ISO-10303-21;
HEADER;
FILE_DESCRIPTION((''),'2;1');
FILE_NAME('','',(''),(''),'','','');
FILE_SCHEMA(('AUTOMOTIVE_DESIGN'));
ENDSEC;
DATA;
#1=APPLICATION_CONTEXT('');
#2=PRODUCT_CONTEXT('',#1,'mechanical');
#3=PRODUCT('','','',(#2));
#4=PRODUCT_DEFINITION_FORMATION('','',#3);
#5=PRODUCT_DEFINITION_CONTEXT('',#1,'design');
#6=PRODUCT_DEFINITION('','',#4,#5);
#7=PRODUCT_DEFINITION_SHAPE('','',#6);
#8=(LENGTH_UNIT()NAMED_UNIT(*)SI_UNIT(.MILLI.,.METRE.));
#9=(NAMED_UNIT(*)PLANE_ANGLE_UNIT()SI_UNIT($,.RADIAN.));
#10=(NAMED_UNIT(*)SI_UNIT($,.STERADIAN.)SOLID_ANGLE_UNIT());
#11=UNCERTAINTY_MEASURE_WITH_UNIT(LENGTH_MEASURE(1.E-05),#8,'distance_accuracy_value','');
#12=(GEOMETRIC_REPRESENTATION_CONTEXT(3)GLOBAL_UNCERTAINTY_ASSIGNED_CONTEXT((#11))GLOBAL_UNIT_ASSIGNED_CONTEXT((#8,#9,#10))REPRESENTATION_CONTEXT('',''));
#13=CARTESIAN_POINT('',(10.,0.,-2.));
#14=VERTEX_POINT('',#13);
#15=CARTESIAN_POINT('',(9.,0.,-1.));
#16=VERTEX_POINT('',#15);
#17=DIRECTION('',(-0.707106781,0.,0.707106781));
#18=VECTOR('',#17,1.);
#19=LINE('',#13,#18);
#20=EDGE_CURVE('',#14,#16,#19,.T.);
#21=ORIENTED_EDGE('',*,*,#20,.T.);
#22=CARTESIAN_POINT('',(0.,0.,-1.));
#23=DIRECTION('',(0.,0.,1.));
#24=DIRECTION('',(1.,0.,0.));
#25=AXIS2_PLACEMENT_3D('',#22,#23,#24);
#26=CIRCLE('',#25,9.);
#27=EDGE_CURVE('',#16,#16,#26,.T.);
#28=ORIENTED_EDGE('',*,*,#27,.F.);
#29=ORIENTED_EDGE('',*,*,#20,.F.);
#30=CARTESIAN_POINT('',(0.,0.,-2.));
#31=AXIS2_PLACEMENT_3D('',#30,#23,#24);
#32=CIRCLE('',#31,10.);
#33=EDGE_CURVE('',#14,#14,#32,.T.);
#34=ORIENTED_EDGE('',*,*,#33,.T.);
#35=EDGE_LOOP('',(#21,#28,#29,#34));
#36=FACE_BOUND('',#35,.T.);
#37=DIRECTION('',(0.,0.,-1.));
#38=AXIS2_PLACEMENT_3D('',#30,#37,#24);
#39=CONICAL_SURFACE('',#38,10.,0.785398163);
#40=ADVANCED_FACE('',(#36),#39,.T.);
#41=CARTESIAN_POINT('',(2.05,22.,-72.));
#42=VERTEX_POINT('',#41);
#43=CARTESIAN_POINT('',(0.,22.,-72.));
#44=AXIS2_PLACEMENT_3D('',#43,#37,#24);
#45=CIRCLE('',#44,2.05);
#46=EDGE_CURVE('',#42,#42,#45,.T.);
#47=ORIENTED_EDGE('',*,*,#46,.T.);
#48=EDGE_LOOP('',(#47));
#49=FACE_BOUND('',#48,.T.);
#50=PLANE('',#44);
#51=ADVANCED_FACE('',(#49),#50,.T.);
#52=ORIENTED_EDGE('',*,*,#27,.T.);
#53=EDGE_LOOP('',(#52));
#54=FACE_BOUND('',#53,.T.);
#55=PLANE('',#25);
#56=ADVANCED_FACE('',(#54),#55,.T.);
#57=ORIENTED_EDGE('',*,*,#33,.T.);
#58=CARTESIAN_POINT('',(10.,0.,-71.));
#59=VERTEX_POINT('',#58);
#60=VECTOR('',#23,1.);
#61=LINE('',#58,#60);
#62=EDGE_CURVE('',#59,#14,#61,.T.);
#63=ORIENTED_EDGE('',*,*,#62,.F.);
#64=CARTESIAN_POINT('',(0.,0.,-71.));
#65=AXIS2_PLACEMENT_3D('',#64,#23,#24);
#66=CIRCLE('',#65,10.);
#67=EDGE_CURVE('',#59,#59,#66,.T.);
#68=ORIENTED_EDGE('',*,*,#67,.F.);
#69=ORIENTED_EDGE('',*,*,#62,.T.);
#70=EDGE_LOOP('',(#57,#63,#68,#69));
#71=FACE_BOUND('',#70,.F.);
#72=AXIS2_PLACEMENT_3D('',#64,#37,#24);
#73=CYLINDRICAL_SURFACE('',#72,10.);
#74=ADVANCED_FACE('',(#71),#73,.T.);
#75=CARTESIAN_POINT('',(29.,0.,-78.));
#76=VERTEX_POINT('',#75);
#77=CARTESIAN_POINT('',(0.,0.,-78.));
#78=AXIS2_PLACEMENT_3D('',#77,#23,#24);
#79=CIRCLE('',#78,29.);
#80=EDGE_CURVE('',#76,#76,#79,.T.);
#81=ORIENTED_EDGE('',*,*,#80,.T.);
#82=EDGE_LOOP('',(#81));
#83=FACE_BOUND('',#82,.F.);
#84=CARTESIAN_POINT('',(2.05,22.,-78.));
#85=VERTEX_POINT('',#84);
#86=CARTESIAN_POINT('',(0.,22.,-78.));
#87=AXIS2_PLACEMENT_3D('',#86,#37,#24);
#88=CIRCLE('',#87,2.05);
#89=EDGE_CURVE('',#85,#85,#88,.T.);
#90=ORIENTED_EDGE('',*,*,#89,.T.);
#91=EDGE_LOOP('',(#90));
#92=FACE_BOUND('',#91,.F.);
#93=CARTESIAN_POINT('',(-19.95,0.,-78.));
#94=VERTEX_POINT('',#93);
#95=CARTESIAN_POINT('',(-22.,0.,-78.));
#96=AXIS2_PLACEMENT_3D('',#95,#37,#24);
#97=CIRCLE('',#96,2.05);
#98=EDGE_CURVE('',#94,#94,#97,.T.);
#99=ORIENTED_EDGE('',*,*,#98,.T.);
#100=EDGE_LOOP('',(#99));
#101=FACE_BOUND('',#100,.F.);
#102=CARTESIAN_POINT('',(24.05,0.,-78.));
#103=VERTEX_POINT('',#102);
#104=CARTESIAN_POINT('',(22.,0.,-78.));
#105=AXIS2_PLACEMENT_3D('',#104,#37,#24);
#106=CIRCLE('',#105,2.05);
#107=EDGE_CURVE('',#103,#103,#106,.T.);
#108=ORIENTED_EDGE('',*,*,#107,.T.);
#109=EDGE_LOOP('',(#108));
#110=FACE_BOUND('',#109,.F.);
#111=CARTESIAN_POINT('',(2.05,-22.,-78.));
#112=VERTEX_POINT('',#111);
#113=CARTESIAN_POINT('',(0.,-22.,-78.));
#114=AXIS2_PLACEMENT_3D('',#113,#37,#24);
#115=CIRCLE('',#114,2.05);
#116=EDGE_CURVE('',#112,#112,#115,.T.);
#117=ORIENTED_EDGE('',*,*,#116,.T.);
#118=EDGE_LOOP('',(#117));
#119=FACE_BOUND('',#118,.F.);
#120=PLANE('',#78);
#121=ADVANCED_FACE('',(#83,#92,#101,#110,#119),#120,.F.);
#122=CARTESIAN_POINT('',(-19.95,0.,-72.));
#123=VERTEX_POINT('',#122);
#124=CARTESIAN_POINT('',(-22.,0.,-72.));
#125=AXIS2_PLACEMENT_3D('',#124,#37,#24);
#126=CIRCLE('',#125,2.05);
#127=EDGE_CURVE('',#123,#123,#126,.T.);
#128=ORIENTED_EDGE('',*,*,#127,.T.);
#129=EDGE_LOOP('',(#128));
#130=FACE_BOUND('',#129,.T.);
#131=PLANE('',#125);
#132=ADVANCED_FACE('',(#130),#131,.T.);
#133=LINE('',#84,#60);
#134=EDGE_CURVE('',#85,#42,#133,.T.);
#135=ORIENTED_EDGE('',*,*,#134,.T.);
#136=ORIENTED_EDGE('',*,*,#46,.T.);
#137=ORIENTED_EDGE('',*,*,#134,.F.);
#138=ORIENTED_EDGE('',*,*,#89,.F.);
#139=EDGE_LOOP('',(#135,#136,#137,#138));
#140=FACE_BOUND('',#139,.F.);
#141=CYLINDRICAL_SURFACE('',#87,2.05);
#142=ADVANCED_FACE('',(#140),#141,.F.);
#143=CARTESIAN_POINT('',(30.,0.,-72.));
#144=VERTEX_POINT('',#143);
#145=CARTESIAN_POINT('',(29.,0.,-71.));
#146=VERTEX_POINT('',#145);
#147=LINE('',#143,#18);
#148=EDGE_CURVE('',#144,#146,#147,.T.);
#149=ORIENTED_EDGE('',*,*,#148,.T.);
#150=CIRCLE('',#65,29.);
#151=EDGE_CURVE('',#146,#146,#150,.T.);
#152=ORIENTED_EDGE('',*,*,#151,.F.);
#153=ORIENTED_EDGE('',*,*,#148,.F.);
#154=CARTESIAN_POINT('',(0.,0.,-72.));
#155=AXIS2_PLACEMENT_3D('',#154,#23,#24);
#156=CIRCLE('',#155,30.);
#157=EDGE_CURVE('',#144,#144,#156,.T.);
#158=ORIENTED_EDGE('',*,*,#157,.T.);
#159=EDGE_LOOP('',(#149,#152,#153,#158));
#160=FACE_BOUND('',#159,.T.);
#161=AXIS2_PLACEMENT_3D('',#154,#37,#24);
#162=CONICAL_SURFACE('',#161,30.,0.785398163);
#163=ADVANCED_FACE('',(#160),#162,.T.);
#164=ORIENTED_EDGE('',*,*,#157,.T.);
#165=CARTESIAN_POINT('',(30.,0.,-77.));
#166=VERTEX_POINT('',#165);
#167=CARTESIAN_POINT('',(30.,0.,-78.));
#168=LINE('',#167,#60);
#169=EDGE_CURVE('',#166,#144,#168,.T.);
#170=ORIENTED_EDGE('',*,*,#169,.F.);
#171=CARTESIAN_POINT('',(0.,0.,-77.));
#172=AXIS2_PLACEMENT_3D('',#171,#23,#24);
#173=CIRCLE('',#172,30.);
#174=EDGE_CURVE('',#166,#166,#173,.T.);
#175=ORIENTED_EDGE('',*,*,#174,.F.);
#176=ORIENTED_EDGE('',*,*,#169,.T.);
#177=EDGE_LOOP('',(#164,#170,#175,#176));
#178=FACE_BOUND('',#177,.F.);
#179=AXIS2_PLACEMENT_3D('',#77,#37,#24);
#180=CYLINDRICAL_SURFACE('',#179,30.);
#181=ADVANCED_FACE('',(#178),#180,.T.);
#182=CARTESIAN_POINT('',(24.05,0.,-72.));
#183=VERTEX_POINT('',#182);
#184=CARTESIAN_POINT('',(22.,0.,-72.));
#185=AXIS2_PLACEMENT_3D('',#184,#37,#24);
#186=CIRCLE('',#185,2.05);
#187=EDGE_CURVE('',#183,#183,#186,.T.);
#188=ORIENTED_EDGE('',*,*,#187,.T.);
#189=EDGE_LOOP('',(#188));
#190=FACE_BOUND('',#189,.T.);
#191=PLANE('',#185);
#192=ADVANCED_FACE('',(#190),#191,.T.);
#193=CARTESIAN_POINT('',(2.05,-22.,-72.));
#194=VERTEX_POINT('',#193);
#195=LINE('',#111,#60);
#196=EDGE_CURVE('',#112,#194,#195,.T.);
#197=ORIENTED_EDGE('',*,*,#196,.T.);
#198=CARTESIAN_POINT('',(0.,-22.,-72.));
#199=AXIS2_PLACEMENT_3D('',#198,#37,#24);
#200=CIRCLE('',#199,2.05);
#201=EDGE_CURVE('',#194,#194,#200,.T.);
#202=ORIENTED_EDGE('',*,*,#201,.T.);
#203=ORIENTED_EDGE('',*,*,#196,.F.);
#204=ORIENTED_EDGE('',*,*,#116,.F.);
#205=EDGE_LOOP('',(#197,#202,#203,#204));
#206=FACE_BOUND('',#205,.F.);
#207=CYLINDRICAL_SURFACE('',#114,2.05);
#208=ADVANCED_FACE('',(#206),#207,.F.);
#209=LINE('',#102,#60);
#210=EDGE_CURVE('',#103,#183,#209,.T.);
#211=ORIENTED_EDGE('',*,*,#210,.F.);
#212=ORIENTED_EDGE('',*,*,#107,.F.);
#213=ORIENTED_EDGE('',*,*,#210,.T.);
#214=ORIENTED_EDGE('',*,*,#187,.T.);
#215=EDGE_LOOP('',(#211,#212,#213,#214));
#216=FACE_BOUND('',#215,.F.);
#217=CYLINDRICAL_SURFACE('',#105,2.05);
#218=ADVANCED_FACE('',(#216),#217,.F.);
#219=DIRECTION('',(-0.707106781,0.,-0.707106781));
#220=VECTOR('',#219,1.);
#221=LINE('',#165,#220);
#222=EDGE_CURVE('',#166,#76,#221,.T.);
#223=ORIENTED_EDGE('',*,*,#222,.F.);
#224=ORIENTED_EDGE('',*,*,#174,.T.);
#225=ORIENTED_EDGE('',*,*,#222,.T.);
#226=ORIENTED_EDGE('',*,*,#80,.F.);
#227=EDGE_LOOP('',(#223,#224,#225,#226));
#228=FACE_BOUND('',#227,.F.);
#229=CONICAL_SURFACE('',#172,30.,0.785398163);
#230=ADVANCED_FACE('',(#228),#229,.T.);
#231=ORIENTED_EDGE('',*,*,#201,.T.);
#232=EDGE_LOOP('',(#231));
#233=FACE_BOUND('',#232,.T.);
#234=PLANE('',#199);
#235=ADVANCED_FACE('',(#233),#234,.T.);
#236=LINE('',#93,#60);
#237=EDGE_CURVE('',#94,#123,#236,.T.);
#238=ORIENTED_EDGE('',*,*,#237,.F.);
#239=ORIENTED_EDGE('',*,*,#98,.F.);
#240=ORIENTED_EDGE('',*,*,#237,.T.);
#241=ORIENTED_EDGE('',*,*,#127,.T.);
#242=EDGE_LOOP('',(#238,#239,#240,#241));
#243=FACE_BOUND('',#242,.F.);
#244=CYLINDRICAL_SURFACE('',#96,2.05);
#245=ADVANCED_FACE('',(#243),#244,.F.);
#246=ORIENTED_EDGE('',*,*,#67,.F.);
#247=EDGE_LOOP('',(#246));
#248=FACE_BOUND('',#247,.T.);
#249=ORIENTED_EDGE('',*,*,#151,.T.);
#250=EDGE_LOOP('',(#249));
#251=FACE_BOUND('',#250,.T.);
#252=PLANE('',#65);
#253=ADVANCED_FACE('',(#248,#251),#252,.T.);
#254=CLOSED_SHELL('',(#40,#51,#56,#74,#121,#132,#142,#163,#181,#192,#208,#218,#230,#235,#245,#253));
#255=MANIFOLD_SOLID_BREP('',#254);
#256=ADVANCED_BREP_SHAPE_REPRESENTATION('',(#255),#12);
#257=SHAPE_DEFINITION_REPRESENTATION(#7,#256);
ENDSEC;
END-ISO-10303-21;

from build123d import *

# Parameters (mm, degrees)
SKETCH_R     = 30
PAD_DEPTH    = 7
SKETCH001_R  = 10
PAD001_DEPTH = 70
SKETCH002_R  = 2.05
POCKET_DEPTH = 6
CHAMFER_SIZE = 1


with BuildPart() as part:
    # Sketch → Pad (new body)
    with BuildSketch(Plane.XY):
        Circle(SKETCH_R)
    extrude(amount=PAD_DEPTH)

    # Sketch001 (on Face3 of Pad) → Pad001 (join)
    with BuildSketch(Plane.XY.offset(7)):
        Circle(SKETCH001_R)
    extrude(amount=PAD001_DEPTH)

    # Sketch002 (on Face2 of Pad001) → Pocket (cut)
    with BuildSketch(Plane(origin=(0, 0, 0), x_dir=(1, 0, 0), z_dir=(0, 0, -1))):
        with Locations((0, 22)):
            Circle(SKETCH002_R)
        with Locations((22, 0)):
            Circle(SKETCH002_R)
        with Locations((-22, 0)):
            Circle(SKETCH002_R)
        with Locations((0, -22)):
            Circle(SKETCH002_R)
    extrude(amount=-POCKET_DEPTH, mode=Mode.SUBTRACT)

    # Chamfer
    chamfer_edges = [part.edges().sort_by_distance(p)[0] for p in [
        (-30, 0, 0),
        (-30, 0, 7),
        (-10, 0, 77),
    ]]
    chamfer(chamfer_edges, length=CHAMFER_SIZE)


with BuildPart() as part_1:
    # Body placement: moved
    add(part.part.moved(Location((0, 0, -78))))


solid = part_1.part
